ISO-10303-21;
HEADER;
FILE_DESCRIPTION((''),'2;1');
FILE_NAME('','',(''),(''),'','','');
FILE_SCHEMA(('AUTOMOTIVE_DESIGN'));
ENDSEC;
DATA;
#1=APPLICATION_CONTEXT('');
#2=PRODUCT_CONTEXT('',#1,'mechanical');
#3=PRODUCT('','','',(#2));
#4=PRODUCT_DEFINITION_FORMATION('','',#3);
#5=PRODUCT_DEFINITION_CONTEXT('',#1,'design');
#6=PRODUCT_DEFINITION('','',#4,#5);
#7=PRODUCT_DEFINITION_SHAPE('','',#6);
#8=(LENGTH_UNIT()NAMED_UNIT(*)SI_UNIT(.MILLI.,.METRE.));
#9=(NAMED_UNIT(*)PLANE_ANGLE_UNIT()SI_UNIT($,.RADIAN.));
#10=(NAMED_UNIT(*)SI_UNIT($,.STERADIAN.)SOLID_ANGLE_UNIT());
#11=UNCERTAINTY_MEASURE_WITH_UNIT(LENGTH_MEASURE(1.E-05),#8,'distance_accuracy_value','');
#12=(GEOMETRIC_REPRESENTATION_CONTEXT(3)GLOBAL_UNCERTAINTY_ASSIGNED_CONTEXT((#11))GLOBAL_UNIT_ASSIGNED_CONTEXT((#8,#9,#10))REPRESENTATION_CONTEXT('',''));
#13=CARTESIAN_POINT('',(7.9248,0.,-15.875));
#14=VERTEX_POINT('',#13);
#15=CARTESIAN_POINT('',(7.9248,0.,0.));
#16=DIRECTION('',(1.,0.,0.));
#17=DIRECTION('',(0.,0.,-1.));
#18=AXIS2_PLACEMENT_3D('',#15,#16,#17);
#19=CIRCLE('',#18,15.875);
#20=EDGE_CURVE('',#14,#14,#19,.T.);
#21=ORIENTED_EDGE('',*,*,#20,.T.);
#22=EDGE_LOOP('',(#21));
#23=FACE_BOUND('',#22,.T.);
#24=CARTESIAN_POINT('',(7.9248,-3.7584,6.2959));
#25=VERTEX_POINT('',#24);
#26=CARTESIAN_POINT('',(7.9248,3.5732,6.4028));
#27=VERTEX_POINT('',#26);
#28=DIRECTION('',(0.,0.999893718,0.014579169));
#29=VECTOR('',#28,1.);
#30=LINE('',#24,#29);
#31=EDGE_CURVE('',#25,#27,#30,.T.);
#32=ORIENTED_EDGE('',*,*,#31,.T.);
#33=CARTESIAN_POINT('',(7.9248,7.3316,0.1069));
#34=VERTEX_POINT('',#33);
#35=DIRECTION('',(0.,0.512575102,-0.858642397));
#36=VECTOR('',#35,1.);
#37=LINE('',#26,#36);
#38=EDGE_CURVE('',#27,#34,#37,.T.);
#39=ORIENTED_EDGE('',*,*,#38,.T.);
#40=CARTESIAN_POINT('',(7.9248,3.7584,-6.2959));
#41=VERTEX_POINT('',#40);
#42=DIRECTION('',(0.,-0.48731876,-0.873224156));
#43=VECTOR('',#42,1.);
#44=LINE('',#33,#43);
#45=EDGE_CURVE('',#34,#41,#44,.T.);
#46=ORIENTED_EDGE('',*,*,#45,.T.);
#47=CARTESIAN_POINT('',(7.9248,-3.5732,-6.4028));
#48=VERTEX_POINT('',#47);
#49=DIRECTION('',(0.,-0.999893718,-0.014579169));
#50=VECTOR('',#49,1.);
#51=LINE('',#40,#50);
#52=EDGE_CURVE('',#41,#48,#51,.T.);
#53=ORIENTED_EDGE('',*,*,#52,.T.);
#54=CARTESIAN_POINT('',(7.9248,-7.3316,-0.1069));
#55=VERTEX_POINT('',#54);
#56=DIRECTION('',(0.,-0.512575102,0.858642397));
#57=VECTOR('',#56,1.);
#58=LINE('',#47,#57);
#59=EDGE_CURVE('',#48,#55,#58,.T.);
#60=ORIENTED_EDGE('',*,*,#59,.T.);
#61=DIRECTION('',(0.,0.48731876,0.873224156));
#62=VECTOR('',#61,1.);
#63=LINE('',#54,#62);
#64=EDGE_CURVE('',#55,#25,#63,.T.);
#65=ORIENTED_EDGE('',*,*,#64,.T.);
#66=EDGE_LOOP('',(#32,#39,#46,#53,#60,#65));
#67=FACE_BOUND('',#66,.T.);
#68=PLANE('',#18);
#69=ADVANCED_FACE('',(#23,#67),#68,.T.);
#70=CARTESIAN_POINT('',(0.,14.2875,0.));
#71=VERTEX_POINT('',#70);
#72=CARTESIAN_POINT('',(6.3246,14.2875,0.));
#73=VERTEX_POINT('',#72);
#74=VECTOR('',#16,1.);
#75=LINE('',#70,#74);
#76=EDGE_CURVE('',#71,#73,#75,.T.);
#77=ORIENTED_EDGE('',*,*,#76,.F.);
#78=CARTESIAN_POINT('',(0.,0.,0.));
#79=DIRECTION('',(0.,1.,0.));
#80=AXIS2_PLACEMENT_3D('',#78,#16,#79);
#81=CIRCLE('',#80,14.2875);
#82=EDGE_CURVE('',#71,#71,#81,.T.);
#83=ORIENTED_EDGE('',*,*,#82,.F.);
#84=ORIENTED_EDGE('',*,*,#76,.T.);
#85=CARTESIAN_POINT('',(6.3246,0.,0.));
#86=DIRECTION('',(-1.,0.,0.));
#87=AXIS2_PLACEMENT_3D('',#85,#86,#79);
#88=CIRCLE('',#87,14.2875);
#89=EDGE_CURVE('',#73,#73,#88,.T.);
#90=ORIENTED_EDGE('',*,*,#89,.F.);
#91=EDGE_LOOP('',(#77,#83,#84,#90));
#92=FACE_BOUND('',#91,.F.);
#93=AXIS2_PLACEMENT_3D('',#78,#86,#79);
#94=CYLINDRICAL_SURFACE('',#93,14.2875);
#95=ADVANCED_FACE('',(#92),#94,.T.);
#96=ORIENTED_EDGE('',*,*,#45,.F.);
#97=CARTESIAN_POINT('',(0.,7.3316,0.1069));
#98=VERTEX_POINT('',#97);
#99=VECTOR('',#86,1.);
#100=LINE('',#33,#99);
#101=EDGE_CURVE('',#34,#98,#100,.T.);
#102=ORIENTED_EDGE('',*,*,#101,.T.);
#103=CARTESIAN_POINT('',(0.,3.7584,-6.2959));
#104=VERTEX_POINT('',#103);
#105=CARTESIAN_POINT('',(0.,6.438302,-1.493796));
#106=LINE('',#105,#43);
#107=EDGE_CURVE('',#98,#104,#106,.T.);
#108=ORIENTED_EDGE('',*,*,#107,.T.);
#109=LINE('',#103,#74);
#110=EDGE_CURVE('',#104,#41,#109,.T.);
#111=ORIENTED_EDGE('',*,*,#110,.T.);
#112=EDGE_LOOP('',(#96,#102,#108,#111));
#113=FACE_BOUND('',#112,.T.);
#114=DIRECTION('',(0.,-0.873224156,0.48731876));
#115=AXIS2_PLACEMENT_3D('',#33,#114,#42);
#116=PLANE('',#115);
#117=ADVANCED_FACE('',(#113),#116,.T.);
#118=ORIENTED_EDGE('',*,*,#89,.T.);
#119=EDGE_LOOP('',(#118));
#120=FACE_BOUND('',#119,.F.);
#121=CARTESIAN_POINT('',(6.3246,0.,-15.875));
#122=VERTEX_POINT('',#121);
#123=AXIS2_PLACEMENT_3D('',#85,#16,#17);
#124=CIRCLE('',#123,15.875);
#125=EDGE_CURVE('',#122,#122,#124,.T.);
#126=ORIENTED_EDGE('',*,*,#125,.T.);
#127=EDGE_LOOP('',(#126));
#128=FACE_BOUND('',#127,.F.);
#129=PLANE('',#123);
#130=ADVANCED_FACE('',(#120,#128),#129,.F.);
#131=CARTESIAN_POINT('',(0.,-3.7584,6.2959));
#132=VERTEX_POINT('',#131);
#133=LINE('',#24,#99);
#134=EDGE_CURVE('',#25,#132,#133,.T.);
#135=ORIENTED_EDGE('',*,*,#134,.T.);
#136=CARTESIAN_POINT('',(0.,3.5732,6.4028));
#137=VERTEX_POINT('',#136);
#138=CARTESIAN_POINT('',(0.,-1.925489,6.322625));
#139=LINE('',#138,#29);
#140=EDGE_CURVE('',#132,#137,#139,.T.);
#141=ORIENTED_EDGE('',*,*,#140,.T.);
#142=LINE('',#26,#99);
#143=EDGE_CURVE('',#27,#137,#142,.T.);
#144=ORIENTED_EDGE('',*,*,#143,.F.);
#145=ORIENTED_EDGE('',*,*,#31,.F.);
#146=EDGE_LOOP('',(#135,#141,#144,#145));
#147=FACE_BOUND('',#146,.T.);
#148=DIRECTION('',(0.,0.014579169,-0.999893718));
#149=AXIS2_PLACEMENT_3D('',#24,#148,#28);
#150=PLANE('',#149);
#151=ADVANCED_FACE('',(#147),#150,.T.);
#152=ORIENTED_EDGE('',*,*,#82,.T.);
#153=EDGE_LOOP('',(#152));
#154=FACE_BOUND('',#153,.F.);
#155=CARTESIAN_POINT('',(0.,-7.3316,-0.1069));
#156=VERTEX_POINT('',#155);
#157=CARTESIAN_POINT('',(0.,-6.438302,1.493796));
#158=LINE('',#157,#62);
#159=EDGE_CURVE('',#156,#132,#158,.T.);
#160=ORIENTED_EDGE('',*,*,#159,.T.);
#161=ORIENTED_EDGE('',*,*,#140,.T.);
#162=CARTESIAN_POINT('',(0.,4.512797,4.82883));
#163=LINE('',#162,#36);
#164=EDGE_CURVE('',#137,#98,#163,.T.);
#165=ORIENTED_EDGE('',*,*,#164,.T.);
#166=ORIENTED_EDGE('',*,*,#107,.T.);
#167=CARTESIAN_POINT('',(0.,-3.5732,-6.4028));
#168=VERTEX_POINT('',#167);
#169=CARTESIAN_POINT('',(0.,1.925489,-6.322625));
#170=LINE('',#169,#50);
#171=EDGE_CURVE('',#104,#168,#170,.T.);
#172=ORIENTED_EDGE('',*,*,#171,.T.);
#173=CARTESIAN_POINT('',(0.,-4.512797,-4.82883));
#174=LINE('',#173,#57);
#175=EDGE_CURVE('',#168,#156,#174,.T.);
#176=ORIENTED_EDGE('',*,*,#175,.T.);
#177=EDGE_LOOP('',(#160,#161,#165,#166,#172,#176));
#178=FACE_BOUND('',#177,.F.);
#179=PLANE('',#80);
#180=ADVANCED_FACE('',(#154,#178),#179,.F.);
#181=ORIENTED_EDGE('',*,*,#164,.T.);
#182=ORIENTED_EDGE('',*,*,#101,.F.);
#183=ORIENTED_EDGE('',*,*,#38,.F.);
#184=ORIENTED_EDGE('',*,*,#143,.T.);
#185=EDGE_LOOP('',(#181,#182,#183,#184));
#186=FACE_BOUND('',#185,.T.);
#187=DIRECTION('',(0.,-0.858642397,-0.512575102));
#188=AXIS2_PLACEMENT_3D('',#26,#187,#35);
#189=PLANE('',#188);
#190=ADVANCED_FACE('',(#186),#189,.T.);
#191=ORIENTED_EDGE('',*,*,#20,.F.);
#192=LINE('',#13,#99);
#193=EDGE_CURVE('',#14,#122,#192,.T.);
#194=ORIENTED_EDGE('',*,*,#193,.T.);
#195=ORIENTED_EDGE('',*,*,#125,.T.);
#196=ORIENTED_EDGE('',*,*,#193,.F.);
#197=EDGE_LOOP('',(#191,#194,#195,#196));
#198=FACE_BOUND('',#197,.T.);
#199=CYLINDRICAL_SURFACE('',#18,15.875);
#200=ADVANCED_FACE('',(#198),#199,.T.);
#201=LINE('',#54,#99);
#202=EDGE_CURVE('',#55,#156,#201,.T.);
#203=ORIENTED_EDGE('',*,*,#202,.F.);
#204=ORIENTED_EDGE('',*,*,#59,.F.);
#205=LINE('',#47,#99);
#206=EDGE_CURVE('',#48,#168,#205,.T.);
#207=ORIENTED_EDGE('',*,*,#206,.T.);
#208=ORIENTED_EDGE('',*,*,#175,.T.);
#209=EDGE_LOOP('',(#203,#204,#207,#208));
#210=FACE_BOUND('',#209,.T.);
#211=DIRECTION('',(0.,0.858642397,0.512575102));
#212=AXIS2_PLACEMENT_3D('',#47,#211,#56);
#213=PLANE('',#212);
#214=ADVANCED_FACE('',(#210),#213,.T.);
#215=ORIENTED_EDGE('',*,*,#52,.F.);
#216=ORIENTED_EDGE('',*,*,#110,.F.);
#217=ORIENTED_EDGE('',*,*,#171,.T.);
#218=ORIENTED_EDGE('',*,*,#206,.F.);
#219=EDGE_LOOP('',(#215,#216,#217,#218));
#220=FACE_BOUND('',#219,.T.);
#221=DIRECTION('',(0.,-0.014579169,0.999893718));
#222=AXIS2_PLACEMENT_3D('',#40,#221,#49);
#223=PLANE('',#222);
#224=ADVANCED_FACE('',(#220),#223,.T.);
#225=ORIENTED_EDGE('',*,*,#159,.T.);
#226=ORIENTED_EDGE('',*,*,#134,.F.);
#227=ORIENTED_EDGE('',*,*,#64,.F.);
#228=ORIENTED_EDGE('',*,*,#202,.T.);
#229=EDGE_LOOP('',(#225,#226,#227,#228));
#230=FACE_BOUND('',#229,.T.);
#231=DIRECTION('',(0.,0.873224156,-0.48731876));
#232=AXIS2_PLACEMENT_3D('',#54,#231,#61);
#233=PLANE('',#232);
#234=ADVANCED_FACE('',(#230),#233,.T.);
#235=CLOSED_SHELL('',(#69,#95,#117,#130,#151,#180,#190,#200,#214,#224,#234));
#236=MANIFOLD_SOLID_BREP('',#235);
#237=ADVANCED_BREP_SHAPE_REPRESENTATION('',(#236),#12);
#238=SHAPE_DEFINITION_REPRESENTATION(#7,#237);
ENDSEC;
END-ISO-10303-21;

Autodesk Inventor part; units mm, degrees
ref_plane "YZ Plane" through (0, 0, 0) normal (1, 0, 0) x (0, 1, 0)
ref_plane "XZ Plane" through (0, 0, 0) normal (0, 1, 0) x (-1, 0, 0)
ref_plane "XY Plane" through (0, 0, 0) normal (0, 0, 1) x (1, 0, 0)
sketch "Sketch1" plane through (0, 0, 0) normal (1, 0, 0) x (0, 1, 0)
  circle A0 centre (0, 0) radius 14.2875
  dimension "d0" = 28.575
extrude "Extrusion1" add sketch "Sketch1" along normal blind 7.9248
sketch "Sketch4" plane through (7.9248, 0, 0) normal (1, 0, 0) x (0, 0, -1)
  line L0 (6.2959, 3.7584) -> (6.4028, -3.5732)
  line L1 (6.4028, -3.5732) -> (0.1069, -7.3316)
  line L2 (0.1069, -7.3316) -> (-6.2959, -3.7584)
  line L3 (-6.2959, -3.7584) -> (-6.4028, 3.5732)
  line L4 (-6.4028, 3.5732) -> (-0.1069, 7.3316)
  line L5 (-0.1069, 7.3316) -> (6.2959, 3.7584)
  point P0 (0, 0)
  point P1 (0, 0)
  dimension "d16" = 12.7
extrude "Extrusion2" cut sketch "Sketch4" against normal blind 279.4
sketch "Sketch5" plane through (7.9248, 0, 0) normal (1, 0, 0) x (0, 0, -1)
  circle A0 centre (0, 0) radius 15.875
  dimension "d7" = 31.75
extrude "Extrusion3" add sketch "Sketch5" against normal blind 1.6002
extrude "Extrusion4" cut sketch "Sketch4" against normal blind 1.6002
extrude "Extrusion5" add sketch "Sketch4" against normal blind 2.54
extrude "Extrusion6" cut sketch "Sketch4" against normal blind 2.54
properties part number "hexagon bearing"
